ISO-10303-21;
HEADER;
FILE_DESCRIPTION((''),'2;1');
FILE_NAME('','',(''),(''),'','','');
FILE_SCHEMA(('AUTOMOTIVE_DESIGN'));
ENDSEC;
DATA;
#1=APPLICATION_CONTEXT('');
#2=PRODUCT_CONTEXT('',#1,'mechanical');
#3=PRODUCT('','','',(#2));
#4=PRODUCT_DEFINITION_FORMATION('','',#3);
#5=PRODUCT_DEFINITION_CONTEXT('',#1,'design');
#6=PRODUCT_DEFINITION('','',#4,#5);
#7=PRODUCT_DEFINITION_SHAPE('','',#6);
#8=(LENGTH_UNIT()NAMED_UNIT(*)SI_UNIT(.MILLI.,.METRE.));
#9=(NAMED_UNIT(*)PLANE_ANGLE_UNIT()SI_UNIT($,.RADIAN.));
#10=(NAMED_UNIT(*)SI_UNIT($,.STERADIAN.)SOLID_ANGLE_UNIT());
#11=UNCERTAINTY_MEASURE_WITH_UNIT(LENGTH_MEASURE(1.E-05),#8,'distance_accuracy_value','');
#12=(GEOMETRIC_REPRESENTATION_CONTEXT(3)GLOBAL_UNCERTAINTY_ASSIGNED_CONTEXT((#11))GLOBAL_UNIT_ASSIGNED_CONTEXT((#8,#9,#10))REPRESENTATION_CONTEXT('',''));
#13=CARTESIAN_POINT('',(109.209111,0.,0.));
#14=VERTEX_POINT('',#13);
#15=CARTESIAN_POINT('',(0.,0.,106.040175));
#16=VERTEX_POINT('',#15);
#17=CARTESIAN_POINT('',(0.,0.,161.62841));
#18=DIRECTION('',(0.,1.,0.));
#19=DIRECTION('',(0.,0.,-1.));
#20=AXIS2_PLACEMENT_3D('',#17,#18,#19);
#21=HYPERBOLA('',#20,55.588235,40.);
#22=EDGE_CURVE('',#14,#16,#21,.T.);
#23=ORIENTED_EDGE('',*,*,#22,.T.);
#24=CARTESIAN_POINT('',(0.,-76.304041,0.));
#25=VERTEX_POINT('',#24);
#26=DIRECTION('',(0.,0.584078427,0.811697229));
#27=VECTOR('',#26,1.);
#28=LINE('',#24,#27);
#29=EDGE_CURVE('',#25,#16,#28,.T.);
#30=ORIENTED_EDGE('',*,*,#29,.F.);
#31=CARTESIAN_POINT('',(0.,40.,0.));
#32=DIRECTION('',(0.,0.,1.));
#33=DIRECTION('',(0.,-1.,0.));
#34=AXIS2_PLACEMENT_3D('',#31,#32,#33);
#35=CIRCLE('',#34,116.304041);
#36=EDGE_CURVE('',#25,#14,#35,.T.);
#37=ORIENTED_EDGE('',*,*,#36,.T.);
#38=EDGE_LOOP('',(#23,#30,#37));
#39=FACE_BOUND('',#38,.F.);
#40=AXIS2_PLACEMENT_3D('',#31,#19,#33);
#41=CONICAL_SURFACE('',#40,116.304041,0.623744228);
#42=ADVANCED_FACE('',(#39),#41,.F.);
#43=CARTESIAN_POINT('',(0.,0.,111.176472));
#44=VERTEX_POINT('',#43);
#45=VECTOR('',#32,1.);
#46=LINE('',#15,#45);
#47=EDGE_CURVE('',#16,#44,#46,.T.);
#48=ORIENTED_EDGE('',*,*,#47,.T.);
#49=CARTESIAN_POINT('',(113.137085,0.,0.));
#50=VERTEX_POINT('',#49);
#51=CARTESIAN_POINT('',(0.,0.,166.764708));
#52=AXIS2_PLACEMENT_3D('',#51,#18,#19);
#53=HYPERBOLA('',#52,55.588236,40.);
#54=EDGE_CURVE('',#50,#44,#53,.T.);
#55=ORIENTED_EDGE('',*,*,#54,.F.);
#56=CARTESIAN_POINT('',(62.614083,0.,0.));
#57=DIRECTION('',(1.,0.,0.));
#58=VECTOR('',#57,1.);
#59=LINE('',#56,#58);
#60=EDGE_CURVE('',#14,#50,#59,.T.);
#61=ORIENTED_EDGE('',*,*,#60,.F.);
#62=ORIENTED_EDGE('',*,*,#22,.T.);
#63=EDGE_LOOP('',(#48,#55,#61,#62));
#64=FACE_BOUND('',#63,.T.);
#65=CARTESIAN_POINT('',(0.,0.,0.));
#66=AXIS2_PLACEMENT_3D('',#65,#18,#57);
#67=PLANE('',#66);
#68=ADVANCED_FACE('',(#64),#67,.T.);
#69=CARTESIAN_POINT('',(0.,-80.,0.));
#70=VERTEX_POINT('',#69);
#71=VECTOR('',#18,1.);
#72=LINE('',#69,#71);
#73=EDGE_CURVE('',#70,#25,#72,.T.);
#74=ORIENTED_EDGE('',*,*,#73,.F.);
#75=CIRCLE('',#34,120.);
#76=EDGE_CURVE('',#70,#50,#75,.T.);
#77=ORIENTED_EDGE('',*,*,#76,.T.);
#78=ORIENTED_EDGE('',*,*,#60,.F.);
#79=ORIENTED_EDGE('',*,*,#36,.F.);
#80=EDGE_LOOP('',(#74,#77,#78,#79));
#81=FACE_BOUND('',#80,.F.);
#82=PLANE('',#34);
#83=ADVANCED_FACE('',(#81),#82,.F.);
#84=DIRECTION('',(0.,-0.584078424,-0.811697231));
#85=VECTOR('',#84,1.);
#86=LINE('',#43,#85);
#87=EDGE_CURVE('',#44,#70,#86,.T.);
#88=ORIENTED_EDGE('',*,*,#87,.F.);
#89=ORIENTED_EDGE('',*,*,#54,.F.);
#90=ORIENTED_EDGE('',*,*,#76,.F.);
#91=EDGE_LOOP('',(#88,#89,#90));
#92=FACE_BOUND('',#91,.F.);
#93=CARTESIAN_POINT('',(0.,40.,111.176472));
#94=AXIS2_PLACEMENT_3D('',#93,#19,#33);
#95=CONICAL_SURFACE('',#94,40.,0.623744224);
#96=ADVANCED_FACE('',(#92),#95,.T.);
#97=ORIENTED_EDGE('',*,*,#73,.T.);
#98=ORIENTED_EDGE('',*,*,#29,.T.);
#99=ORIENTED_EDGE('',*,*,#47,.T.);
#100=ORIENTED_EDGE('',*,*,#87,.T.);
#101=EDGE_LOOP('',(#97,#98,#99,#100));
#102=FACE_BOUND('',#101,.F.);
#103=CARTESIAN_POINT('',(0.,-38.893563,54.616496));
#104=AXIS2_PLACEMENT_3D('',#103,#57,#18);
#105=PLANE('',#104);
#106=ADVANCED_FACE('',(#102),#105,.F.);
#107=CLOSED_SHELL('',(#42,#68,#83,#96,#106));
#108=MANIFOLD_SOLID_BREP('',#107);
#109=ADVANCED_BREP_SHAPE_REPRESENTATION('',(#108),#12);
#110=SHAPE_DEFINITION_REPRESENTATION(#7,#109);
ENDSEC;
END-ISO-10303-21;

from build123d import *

# Parameters (mm, degrees)
F1_ANGLE = 100
F2_W     = 125.228167
F2_H     = 72.214484
F3_DEPTH = 200


with BuildPart() as f1:
    # F0 (on Right) → F1 (revolve)
    with BuildSketch(Plane.YZ):
        Polygon((0, 106.040175), (0, 111.176472), (-80, 0), (-76.304041, 0), align=None)
    revolve(axis=Axis((0, 40, 34.041554), (0, 0, 1)), revolution_arc=F1_ANGLE)

    # F2 (on Top) → F3 (cut)
    with BuildSketch(Plane.XY):
        with Locations((62.614083, 36.107242)):
            Rectangle(F2_W, F2_H)
    extrude(amount=F3_DEPTH, mode=Mode.SUBTRACT)


solid = f1.part
